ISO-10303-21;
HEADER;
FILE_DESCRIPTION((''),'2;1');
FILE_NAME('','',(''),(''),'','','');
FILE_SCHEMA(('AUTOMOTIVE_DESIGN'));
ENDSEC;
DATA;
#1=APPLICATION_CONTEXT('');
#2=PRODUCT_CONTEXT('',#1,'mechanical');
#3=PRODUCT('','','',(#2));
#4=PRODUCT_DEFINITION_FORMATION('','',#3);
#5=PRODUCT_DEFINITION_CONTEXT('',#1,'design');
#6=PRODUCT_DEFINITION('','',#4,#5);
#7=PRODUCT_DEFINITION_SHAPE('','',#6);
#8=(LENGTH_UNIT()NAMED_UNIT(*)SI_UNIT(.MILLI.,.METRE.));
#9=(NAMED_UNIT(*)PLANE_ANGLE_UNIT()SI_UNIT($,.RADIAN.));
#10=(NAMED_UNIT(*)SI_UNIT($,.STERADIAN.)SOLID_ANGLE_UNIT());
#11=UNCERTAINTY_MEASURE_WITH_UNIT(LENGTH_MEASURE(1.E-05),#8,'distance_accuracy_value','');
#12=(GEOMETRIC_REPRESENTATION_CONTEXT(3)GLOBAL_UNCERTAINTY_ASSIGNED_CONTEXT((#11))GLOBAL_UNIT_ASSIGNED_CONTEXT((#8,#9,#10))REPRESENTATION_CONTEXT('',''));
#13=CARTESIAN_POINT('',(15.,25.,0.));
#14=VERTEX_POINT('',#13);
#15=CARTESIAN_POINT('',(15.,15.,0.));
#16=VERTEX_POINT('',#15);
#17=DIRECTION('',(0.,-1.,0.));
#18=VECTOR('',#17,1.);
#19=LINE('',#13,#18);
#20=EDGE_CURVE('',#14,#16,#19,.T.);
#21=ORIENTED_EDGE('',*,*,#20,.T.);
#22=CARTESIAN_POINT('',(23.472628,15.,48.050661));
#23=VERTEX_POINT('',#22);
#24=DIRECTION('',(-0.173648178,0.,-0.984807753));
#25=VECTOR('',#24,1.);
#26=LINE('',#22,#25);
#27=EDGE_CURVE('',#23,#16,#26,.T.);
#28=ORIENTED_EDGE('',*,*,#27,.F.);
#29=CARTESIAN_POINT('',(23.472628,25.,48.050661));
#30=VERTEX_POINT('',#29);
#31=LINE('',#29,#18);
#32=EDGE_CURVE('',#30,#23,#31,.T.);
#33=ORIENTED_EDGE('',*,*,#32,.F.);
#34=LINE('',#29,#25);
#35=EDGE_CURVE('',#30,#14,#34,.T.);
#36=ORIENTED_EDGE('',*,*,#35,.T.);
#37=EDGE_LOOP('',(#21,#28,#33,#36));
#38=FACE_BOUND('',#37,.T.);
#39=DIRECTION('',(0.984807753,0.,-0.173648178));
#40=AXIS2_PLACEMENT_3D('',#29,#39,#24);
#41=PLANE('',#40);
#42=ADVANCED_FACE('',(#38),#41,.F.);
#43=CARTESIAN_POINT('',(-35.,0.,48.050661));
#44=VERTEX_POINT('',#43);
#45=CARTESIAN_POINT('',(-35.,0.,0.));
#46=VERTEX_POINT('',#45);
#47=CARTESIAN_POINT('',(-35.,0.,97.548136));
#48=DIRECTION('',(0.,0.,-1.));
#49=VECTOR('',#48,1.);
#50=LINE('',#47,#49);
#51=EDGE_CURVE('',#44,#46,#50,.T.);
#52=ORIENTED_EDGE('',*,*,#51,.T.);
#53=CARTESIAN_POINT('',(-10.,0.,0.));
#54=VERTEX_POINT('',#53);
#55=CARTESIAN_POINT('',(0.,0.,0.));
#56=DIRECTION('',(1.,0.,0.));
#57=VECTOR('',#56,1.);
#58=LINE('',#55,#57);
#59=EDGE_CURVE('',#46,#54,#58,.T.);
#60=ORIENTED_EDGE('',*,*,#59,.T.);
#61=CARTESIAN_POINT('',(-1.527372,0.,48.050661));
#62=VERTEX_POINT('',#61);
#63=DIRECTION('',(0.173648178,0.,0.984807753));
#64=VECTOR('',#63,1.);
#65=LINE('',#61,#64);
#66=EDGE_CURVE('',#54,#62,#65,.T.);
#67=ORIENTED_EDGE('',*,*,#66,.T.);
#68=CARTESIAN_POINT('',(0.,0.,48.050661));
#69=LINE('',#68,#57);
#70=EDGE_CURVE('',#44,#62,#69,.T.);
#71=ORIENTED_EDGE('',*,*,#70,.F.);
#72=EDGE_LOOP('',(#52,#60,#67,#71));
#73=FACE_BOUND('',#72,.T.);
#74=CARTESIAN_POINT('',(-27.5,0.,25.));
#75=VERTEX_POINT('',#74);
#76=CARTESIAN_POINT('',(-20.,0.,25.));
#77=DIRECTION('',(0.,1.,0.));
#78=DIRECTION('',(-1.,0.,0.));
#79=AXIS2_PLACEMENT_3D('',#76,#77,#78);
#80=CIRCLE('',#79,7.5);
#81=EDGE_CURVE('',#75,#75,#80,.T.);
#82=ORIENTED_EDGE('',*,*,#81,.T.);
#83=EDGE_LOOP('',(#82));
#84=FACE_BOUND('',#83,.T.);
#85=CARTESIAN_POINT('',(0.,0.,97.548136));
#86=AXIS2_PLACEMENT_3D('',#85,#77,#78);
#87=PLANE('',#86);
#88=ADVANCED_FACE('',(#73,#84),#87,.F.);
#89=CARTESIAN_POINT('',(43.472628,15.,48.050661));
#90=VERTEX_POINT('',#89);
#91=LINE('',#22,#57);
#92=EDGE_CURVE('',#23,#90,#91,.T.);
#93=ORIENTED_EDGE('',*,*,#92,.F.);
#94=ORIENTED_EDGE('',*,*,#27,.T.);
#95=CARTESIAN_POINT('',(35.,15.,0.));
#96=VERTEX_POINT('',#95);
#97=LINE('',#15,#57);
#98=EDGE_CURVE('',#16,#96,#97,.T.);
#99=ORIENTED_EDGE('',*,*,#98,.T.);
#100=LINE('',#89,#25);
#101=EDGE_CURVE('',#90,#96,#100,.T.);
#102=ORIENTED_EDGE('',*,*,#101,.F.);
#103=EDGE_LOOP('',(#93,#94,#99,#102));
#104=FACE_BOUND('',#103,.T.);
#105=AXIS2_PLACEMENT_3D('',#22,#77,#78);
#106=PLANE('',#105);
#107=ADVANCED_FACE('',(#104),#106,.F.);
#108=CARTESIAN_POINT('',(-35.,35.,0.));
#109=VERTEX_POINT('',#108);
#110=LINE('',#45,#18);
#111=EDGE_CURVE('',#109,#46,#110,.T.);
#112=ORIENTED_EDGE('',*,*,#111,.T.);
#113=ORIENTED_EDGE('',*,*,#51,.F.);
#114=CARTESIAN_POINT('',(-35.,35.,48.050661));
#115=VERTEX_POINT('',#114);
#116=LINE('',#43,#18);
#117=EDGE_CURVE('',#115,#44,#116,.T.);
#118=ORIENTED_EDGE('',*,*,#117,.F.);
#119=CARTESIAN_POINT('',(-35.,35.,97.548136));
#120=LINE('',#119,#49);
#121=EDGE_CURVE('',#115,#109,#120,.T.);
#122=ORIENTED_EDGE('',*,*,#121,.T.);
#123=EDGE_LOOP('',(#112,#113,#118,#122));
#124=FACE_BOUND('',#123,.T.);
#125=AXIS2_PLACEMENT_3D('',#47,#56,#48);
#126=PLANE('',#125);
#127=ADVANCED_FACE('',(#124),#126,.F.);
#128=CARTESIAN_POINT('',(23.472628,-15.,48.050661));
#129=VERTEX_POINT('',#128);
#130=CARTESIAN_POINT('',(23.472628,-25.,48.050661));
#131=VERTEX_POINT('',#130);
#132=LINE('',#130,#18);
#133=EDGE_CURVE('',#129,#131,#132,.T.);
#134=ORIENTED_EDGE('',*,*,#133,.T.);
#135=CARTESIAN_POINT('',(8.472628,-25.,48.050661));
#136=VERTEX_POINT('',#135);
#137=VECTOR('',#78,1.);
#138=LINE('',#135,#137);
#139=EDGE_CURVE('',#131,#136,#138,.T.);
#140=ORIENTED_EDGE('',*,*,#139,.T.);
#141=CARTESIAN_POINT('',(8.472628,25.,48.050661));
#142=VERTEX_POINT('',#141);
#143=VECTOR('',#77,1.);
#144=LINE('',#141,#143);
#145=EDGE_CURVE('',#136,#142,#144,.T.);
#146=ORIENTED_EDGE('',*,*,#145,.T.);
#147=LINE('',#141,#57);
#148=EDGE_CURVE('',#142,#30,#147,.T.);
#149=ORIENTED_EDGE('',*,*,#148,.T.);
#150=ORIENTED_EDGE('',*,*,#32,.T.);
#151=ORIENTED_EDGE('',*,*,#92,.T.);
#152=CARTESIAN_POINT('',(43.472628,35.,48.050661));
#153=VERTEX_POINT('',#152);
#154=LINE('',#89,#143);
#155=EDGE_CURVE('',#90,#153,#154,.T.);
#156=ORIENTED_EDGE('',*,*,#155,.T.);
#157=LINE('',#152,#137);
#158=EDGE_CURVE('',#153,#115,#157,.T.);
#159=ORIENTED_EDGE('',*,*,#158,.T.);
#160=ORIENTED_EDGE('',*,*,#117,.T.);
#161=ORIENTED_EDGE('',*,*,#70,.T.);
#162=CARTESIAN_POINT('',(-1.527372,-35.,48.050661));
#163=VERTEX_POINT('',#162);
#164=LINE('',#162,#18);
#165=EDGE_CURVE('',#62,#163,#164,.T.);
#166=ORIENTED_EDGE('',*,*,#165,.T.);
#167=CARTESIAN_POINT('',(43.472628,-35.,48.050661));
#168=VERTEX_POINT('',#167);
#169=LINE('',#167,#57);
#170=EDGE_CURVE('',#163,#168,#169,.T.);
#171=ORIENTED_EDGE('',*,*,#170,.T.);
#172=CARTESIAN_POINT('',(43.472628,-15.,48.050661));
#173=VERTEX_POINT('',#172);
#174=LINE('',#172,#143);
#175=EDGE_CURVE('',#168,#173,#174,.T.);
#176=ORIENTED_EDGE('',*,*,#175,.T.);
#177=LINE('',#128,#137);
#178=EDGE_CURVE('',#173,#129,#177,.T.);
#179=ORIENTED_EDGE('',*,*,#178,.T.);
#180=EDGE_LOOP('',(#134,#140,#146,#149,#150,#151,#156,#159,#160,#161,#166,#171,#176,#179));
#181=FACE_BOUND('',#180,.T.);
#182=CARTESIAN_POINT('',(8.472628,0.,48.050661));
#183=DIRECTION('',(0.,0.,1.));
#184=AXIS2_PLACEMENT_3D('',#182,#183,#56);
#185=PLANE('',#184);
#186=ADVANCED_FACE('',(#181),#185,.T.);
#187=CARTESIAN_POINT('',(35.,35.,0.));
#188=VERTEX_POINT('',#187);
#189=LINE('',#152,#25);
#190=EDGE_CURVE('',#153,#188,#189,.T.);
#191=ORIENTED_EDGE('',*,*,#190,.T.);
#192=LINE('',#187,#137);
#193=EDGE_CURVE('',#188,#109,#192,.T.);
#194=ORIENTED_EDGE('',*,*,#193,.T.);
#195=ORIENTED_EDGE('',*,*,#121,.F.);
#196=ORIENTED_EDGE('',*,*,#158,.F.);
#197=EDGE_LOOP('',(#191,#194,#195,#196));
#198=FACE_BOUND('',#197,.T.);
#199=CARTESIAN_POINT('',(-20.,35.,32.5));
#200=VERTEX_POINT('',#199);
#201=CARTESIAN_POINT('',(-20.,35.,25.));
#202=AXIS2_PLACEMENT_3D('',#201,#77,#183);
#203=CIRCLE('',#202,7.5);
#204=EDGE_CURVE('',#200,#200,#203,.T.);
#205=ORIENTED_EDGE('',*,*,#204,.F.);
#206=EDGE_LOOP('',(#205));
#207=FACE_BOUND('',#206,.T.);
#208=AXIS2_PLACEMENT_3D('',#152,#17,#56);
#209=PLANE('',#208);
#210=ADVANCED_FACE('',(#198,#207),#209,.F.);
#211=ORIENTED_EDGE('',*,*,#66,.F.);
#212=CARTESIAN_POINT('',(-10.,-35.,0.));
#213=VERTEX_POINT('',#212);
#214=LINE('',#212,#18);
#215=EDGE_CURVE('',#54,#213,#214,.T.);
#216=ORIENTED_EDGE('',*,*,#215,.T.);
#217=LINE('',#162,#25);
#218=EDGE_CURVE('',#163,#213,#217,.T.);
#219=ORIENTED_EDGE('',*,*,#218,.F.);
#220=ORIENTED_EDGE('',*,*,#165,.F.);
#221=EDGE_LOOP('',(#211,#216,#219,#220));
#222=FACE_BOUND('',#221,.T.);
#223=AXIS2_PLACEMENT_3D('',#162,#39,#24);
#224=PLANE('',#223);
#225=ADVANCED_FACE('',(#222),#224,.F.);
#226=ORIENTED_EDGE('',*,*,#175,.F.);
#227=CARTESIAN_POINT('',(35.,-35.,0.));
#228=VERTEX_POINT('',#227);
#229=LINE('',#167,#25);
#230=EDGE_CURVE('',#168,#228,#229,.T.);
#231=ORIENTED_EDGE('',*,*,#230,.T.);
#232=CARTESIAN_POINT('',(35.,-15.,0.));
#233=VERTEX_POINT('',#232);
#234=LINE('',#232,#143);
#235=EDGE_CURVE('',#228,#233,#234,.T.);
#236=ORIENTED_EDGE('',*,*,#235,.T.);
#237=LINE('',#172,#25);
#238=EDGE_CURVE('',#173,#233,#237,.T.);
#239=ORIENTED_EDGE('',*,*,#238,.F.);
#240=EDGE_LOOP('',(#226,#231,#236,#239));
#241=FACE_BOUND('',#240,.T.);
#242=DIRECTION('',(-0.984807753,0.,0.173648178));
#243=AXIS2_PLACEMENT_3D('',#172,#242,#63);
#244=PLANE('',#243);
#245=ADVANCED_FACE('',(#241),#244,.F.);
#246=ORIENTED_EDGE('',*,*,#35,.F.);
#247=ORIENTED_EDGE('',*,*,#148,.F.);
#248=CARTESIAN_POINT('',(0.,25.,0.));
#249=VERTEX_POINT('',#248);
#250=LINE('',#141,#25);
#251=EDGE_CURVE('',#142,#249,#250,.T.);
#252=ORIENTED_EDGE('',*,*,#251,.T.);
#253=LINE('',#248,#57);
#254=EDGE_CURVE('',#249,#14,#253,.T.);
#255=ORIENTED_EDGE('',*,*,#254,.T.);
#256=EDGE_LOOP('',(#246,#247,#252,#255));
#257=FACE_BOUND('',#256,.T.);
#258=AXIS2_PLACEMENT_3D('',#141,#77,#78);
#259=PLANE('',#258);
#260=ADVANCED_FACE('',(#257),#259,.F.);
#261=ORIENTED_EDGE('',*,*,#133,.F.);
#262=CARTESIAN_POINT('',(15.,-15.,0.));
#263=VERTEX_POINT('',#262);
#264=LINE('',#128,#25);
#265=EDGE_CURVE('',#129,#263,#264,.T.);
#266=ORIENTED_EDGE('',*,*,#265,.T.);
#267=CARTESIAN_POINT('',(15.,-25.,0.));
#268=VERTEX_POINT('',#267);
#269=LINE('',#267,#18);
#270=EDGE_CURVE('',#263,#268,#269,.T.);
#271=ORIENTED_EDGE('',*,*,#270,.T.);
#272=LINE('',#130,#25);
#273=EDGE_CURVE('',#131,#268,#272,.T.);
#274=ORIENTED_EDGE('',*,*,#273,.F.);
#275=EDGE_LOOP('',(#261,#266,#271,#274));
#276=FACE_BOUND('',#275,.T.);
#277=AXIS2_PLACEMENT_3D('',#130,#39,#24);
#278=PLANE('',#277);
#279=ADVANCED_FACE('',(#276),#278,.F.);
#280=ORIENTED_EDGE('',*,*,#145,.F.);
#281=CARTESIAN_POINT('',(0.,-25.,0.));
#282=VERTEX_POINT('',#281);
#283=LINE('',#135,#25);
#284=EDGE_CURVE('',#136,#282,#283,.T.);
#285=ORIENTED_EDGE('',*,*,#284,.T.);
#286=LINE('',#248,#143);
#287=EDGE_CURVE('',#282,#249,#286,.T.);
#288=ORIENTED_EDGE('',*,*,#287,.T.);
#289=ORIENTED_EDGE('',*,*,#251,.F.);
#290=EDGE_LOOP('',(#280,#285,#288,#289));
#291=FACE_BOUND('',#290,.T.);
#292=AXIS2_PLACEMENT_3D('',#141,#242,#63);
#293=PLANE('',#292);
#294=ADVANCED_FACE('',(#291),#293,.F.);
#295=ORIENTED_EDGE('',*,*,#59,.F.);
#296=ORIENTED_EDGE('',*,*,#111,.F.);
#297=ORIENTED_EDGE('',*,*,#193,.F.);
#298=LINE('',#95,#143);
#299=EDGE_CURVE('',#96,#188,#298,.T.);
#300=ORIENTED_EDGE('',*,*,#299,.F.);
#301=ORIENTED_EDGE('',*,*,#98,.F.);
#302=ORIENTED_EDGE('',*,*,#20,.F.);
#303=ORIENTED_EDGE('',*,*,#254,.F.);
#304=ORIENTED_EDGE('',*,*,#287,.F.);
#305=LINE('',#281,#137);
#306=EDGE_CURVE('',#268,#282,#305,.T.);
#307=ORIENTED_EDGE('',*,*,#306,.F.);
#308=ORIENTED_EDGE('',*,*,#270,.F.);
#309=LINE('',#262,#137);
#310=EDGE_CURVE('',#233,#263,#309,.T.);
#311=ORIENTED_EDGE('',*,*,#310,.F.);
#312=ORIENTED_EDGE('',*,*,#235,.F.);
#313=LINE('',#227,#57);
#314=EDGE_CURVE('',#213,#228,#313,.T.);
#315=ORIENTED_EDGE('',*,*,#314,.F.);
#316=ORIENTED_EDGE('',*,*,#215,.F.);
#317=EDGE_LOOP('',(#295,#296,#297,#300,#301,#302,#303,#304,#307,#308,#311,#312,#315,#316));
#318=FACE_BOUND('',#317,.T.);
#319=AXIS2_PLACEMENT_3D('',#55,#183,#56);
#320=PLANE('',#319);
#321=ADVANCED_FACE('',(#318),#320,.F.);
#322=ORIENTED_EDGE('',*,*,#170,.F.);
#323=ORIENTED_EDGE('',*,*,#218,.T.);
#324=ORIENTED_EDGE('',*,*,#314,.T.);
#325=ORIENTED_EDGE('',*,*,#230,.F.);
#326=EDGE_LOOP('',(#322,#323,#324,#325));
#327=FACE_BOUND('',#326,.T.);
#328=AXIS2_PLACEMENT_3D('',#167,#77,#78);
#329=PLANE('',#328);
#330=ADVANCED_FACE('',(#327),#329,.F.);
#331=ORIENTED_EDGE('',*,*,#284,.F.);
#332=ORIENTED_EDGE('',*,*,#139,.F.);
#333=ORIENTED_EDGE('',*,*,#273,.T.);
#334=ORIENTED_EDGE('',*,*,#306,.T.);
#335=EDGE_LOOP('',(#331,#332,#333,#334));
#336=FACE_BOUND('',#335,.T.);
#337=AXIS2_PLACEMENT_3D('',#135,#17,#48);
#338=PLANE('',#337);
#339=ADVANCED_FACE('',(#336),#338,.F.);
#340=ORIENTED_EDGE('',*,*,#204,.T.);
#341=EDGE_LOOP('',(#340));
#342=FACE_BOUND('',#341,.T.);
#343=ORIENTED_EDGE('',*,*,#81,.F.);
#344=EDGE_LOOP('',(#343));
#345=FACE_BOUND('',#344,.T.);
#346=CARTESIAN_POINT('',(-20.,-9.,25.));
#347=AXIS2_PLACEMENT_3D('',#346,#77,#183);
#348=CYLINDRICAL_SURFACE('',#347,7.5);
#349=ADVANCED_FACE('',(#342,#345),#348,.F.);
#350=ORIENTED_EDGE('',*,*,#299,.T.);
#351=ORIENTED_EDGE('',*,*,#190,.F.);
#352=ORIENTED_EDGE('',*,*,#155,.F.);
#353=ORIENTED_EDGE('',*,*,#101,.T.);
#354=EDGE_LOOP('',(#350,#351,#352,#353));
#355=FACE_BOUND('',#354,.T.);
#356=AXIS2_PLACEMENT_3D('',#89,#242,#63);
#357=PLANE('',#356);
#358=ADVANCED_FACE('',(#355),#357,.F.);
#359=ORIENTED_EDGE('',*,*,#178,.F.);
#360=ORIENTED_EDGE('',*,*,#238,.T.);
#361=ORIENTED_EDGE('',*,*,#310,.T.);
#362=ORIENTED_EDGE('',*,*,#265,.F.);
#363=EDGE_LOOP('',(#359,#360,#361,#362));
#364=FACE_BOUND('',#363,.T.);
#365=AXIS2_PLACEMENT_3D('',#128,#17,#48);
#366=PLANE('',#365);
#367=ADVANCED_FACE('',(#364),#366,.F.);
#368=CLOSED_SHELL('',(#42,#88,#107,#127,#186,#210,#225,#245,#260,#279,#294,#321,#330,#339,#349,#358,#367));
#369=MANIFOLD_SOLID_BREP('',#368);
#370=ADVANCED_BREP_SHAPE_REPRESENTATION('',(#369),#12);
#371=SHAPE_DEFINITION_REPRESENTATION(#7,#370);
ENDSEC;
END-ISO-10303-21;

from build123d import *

# Parameters (mm, degrees)
SKETCH4_W           = 35
SKETCH4_H           = 35
BOSS_EXTRUDE2_DEPTH = 48.050661441
SKETCH5_R           = 7.5
CUT_EXTRUDE1_DEPTH  = 44


with BuildPart() as part:
    # Sweep1: sweep along a path in Sketch3
    with BuildLine(Plane(origin=(0, 0, 0), x_dir=(1, 0, 0), z_dir=(0, 1, 0))) as sweep1_path:
        Line((55.06330006, -48.050661441), (46.590672007, 0))
    # Sketch1<2> → Sweep1 (sweep)
    with BuildSketch(Plane.XY):
        Polygon((0, 25), (0, -25), (15, -25), (15, -15), (35, -15), (35, -35), (-10, -35), (-10, 35), (35, 35), (35, 15), (15, 15), (15, 25), align=None)
    sweep(path=sweep1_path.line)

    # Sketch4 → Boss-Extrude2 (add)
    with BuildSketch(Plane.XY):
        with Locations((-17.5, 17.5)):
            Rectangle(SKETCH4_W, SKETCH4_H)
    extrude(amount=BOSS_EXTRUDE2_DEPTH)

    # Sketch5 → Cut-Extrude1 (cut)
    with BuildSketch(Plane(origin=(0, 35, 0), x_dir=(1, 0, 0), z_dir=(0, 1, 0))):
        with Locations(Location((-20, -25, 0), (0, 0, 270))):
            Circle(SKETCH5_R)
    extrude(amount=-CUT_EXTRUDE1_DEPTH, mode=Mode.SUBTRACT)


solid = part.part
